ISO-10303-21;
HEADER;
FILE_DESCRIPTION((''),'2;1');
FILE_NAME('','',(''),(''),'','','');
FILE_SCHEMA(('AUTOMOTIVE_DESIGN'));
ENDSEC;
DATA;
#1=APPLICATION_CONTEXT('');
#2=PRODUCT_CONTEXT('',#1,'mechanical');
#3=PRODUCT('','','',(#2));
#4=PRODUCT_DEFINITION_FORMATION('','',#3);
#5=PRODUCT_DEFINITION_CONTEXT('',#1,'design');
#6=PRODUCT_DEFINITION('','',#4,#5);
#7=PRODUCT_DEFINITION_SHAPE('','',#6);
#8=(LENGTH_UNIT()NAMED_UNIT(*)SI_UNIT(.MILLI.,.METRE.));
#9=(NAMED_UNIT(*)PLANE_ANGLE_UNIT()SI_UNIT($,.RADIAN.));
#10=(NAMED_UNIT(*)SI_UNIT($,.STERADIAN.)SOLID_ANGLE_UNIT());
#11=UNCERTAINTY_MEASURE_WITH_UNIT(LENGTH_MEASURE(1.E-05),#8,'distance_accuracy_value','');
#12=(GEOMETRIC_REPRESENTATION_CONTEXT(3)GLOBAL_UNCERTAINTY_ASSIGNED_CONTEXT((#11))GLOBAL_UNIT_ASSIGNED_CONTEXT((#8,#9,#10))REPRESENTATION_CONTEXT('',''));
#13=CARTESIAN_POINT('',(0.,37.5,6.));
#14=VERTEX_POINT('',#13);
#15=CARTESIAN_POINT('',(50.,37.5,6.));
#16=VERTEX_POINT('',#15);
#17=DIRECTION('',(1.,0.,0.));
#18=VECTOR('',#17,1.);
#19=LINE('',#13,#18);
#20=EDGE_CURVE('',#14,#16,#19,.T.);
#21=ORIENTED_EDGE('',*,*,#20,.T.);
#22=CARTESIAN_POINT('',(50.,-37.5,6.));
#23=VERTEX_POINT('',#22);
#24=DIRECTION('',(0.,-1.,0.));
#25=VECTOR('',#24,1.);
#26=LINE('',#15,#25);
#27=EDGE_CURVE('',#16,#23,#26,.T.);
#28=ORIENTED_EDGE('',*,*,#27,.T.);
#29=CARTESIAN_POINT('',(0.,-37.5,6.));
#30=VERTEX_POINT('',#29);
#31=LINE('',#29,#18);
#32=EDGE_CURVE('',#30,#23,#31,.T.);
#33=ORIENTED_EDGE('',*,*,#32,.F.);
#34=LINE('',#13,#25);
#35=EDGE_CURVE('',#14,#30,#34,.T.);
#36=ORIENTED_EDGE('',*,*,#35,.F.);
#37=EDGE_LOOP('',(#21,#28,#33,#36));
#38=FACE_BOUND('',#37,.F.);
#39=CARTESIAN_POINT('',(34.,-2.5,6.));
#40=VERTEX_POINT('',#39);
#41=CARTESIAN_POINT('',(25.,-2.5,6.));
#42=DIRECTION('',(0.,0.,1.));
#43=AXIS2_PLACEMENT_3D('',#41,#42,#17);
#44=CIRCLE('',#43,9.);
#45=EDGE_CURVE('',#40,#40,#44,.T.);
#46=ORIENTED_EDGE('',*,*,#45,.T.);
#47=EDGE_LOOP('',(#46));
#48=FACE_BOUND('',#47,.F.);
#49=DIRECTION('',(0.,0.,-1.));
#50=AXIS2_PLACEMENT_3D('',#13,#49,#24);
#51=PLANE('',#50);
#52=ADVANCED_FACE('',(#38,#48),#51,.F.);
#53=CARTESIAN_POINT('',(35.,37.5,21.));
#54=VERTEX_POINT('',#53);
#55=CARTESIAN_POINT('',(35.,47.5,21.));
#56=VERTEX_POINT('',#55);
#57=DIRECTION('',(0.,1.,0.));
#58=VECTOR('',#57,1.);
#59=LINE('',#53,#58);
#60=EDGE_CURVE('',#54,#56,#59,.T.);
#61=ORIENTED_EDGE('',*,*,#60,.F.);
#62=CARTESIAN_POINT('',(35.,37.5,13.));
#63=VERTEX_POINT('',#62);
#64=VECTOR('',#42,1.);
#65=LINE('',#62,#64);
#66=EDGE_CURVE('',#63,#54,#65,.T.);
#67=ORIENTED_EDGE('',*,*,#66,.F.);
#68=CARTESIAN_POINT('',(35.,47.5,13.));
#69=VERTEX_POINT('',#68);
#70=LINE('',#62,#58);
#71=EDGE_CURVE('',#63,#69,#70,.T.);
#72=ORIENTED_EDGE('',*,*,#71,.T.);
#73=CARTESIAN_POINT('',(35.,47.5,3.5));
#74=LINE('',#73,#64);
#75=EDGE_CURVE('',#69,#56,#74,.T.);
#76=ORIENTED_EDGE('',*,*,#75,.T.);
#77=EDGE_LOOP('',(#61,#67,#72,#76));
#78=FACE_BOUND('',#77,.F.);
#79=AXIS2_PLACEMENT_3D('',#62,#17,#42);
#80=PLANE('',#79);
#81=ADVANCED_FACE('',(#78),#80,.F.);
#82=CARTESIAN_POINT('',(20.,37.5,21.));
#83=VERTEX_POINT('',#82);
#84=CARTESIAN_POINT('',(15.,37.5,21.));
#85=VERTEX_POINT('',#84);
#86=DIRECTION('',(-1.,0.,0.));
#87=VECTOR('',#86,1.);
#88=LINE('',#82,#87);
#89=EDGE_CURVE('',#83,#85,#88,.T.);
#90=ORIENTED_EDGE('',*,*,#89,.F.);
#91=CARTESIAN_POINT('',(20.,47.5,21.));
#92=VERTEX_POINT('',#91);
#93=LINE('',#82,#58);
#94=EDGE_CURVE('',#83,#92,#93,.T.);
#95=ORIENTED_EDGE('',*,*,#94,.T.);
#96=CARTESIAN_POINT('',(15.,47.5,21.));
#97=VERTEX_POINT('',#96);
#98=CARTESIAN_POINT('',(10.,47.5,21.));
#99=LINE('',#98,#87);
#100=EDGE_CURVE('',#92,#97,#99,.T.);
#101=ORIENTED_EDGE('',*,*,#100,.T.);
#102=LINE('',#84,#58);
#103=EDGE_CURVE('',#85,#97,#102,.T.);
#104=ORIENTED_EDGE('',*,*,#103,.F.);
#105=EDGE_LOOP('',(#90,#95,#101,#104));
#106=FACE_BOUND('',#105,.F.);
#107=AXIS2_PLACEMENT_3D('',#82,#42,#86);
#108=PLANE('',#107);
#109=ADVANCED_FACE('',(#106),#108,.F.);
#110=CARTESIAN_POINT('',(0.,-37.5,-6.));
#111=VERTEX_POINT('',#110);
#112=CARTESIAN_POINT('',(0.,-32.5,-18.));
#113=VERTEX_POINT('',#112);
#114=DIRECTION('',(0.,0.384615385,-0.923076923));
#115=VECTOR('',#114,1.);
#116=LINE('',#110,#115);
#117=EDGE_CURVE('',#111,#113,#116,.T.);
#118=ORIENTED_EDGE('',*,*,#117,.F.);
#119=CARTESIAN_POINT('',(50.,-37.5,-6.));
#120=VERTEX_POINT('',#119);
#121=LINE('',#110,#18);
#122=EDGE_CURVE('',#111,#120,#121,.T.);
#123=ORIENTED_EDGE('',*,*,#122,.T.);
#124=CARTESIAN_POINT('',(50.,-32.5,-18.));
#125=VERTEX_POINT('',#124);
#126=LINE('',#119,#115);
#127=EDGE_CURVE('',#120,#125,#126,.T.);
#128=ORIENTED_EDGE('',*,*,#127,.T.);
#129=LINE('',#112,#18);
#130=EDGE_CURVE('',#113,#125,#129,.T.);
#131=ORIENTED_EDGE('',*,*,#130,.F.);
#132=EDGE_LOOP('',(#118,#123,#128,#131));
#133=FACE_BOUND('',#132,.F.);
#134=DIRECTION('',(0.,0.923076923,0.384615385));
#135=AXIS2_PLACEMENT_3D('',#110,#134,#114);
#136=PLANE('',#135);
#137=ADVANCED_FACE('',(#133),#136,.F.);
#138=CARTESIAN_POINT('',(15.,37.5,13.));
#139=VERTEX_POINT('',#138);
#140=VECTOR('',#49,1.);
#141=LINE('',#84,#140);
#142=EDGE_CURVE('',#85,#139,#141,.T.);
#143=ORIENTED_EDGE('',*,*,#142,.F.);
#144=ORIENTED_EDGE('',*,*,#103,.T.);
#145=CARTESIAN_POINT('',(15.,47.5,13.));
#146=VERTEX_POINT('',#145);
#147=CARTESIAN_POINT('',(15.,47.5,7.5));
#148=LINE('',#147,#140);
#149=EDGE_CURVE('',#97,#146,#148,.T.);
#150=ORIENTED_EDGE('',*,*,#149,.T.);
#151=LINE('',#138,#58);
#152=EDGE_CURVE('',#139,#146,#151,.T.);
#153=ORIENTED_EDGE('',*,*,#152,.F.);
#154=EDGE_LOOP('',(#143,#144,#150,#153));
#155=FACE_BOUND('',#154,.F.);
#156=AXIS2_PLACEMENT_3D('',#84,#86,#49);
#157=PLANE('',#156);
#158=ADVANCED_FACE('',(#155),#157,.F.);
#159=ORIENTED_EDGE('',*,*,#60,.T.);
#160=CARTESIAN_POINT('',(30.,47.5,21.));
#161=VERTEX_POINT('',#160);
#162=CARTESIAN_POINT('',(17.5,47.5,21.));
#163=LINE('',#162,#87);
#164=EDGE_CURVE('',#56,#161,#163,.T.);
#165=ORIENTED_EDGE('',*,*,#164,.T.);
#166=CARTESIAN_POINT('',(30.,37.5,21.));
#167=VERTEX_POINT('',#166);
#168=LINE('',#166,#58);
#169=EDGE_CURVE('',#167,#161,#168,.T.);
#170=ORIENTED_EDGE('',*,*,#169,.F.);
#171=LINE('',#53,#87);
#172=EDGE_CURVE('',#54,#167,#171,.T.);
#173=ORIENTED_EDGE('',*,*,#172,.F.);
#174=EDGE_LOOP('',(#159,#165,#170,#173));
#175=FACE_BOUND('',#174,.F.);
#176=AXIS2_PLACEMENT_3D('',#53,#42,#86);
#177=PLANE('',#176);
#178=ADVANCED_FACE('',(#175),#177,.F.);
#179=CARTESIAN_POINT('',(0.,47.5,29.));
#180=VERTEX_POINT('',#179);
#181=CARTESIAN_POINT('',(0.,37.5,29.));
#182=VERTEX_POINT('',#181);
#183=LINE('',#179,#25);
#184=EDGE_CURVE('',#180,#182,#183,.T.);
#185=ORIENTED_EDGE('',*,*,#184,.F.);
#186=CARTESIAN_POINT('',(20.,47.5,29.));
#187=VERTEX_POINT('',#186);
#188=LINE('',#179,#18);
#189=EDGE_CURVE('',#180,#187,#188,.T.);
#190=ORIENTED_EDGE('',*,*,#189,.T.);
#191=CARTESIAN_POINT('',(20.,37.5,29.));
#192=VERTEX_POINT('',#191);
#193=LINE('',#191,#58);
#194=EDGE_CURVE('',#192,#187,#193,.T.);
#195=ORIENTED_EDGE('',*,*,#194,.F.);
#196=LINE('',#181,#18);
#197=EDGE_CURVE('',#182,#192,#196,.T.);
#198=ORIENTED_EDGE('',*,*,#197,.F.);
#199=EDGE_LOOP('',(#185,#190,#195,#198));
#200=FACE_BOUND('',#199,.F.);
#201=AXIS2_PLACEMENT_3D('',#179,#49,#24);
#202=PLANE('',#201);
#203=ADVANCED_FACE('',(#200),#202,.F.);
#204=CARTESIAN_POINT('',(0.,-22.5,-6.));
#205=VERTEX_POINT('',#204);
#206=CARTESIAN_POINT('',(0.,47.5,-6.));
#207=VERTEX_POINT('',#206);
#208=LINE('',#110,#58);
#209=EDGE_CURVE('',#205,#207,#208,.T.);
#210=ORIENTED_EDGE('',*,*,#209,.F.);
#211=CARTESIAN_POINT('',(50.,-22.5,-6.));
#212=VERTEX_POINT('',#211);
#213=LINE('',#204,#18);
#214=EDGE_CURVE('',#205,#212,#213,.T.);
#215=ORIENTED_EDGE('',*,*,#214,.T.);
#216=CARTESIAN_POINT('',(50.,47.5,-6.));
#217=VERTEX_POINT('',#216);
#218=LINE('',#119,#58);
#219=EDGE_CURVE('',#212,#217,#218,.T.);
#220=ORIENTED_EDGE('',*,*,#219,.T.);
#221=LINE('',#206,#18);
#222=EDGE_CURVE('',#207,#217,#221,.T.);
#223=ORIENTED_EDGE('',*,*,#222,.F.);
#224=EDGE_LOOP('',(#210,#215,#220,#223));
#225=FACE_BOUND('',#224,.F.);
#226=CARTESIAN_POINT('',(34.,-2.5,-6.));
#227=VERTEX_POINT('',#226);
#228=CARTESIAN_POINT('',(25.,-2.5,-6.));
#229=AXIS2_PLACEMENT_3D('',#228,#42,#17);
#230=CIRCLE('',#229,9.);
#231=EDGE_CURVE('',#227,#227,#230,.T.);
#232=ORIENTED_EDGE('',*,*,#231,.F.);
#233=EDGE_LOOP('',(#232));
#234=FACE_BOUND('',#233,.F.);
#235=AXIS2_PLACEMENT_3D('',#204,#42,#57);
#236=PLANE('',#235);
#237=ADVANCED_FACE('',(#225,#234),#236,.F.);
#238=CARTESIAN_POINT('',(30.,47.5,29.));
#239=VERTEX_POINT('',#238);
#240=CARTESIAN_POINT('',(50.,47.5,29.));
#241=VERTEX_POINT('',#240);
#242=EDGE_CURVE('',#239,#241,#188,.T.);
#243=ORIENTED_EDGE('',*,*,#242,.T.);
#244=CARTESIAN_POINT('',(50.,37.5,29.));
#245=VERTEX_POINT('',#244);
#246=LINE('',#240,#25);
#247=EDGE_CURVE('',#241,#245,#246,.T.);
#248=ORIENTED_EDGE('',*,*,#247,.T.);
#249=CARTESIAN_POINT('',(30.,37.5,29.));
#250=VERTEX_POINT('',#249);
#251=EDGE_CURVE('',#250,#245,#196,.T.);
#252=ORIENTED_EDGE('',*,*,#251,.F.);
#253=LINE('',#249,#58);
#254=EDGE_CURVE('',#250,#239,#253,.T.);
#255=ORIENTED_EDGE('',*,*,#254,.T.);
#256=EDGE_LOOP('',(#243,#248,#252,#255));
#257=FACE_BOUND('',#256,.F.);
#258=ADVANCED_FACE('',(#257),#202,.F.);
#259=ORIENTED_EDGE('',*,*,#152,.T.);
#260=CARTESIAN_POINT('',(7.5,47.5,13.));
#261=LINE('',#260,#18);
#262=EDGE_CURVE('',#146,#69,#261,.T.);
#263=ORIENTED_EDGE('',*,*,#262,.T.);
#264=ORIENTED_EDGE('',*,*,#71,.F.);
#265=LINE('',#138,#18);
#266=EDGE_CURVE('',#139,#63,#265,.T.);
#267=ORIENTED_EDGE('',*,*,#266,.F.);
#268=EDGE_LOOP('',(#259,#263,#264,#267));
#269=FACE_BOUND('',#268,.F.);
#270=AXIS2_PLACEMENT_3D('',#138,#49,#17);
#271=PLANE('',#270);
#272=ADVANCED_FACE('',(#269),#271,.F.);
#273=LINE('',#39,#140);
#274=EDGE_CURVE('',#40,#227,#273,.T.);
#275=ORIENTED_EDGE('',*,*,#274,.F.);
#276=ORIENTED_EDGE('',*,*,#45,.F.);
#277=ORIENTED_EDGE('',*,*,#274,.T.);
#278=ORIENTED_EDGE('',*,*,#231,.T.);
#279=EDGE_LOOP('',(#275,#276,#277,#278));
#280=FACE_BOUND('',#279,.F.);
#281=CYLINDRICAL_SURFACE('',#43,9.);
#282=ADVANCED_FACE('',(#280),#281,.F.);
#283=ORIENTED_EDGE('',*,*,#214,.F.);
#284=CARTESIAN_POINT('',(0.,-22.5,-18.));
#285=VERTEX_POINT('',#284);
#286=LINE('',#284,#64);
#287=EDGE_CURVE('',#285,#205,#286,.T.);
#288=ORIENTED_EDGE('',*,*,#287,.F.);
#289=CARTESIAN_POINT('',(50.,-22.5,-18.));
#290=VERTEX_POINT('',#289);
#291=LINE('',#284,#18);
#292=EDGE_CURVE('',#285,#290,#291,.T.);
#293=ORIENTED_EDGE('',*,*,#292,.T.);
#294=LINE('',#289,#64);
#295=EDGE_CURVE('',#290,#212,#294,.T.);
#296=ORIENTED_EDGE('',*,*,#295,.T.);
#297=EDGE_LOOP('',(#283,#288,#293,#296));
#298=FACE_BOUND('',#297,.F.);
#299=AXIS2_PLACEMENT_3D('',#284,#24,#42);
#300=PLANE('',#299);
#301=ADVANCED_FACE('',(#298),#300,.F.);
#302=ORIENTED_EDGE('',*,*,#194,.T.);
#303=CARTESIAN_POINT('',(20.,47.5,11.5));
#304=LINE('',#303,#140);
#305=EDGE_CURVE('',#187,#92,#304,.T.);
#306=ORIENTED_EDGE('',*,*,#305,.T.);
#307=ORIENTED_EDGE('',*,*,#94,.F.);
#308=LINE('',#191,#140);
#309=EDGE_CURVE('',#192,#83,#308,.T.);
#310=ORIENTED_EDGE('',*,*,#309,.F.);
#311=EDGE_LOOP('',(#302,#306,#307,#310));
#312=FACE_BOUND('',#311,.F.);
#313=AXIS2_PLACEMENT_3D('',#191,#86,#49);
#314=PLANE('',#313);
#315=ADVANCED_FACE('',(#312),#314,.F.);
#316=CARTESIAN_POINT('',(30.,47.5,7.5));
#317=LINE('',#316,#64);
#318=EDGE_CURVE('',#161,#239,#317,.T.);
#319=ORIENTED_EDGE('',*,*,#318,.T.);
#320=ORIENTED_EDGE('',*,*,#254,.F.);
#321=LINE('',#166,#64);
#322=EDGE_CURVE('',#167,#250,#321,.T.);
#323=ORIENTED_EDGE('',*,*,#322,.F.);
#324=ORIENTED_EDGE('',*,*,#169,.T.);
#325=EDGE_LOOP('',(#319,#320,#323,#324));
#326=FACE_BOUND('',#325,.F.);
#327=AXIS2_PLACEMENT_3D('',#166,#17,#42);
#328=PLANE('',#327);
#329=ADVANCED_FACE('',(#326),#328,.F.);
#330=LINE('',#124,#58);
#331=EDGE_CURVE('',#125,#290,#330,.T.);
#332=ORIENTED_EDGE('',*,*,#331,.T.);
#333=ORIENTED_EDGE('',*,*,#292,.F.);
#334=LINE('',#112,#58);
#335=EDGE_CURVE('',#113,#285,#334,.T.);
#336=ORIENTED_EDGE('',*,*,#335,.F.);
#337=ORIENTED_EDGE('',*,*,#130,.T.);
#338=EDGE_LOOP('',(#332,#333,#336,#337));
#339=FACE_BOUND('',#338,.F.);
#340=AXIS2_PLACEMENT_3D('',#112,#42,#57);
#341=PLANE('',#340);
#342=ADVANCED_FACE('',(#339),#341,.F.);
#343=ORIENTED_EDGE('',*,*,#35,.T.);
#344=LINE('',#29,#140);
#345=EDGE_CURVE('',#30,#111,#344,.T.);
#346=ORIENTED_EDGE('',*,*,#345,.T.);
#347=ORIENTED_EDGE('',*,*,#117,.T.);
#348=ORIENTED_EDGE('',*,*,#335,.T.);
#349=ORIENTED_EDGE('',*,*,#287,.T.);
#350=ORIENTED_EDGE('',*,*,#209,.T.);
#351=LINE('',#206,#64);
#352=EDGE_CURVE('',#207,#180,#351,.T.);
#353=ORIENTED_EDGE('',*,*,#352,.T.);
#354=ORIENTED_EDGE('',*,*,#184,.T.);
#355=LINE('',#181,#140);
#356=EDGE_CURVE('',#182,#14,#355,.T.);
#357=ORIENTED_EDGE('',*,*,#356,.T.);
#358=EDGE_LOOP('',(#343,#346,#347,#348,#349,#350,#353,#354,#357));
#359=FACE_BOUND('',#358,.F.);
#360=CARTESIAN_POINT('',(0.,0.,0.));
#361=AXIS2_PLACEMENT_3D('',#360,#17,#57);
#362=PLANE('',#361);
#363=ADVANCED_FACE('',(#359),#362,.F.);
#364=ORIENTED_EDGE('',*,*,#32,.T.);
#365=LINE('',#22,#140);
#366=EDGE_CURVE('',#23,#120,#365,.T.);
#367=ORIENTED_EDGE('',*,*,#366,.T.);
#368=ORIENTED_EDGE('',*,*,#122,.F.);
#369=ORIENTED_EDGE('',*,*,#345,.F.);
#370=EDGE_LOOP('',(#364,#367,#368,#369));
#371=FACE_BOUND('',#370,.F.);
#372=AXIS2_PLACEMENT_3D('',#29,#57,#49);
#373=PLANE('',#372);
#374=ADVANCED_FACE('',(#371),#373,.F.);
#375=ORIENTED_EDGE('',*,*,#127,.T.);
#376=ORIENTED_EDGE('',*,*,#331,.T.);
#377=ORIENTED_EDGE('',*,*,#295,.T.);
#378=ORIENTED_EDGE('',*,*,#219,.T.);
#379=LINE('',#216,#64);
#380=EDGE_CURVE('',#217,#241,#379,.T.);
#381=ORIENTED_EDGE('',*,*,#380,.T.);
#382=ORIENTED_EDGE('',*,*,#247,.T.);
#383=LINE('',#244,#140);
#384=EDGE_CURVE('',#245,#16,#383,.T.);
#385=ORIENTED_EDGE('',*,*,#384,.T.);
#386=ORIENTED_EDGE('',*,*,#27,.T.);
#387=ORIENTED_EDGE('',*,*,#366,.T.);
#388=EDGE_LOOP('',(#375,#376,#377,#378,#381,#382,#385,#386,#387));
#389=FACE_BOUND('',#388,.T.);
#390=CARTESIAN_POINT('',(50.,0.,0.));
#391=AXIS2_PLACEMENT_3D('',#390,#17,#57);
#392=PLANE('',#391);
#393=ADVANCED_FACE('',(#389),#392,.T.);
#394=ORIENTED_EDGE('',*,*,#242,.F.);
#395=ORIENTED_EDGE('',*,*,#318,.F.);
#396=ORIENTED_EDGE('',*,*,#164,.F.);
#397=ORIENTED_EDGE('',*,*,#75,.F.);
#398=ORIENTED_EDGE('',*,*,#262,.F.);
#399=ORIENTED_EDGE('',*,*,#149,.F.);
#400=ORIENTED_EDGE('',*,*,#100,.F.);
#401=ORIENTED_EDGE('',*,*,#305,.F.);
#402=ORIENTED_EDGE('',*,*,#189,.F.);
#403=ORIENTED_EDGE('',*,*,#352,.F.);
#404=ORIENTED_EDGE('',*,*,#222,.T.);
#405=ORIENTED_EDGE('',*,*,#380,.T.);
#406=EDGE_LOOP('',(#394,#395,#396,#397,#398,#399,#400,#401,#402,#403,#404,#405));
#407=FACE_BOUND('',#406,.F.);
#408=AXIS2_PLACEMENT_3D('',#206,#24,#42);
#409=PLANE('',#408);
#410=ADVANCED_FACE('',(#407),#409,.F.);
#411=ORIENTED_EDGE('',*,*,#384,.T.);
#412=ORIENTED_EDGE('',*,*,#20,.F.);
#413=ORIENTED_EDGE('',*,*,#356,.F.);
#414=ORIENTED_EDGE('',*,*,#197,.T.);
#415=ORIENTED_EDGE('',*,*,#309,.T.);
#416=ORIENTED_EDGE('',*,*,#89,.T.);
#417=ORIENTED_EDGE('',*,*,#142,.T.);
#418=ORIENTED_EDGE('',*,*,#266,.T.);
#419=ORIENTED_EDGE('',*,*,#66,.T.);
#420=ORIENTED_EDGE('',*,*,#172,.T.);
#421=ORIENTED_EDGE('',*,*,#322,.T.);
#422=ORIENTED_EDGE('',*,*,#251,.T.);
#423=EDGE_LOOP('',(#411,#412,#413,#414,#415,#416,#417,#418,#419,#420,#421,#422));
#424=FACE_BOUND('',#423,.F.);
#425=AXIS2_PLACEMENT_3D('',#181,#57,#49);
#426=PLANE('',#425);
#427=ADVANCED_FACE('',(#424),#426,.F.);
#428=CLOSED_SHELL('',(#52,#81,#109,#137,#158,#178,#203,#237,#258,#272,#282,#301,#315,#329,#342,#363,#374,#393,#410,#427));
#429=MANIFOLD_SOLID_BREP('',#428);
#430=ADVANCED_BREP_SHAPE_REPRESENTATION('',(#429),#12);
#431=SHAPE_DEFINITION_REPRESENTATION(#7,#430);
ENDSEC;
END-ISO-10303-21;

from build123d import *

# Parameters (mm, degrees)
F1_DEPTH = 50
F3_DEPTH = 25
F4_R     = 9
F5_DEPTH = 25


with BuildPart() as f1:
    # F0 (on Right) → F1 (new body)
    with BuildSketch(Plane.YZ):
        Polygon((37.5, -6), (37.5, 6), (-37.5, 6), (-37.5, -6), (-22.5, -6), align=None)
        Polygon((37.5, 29), (37.5, 6), (37.5, -6), (47.5, -6), (47.5, 29), align=None)
        Polygon((-22.5, -6), (-37.5, -6), (-32.5, -18), (-22.5, -18), align=None)
    extrude(amount=F1_DEPTH)

    # F2 (on face) → F3 (cut)
    with BuildSketch(Plane.XZ.offset(-37.5)):
        Polygon((30, 29), (20, 29), (20, 21), (15, 21), (15, 13), (35, 13), (35, 21), (30, 21), align=None)
    extrude(amount=-F3_DEPTH, mode=Mode.SUBTRACT)

    # F4 (on face) → F5 (cut)
    with BuildSketch(Plane.XY.offset(6)):
        with Locations((25, -2.5)):
            Circle(F4_R)
    extrude(amount=-F5_DEPTH, mode=Mode.SUBTRACT)


solid = f1.part
